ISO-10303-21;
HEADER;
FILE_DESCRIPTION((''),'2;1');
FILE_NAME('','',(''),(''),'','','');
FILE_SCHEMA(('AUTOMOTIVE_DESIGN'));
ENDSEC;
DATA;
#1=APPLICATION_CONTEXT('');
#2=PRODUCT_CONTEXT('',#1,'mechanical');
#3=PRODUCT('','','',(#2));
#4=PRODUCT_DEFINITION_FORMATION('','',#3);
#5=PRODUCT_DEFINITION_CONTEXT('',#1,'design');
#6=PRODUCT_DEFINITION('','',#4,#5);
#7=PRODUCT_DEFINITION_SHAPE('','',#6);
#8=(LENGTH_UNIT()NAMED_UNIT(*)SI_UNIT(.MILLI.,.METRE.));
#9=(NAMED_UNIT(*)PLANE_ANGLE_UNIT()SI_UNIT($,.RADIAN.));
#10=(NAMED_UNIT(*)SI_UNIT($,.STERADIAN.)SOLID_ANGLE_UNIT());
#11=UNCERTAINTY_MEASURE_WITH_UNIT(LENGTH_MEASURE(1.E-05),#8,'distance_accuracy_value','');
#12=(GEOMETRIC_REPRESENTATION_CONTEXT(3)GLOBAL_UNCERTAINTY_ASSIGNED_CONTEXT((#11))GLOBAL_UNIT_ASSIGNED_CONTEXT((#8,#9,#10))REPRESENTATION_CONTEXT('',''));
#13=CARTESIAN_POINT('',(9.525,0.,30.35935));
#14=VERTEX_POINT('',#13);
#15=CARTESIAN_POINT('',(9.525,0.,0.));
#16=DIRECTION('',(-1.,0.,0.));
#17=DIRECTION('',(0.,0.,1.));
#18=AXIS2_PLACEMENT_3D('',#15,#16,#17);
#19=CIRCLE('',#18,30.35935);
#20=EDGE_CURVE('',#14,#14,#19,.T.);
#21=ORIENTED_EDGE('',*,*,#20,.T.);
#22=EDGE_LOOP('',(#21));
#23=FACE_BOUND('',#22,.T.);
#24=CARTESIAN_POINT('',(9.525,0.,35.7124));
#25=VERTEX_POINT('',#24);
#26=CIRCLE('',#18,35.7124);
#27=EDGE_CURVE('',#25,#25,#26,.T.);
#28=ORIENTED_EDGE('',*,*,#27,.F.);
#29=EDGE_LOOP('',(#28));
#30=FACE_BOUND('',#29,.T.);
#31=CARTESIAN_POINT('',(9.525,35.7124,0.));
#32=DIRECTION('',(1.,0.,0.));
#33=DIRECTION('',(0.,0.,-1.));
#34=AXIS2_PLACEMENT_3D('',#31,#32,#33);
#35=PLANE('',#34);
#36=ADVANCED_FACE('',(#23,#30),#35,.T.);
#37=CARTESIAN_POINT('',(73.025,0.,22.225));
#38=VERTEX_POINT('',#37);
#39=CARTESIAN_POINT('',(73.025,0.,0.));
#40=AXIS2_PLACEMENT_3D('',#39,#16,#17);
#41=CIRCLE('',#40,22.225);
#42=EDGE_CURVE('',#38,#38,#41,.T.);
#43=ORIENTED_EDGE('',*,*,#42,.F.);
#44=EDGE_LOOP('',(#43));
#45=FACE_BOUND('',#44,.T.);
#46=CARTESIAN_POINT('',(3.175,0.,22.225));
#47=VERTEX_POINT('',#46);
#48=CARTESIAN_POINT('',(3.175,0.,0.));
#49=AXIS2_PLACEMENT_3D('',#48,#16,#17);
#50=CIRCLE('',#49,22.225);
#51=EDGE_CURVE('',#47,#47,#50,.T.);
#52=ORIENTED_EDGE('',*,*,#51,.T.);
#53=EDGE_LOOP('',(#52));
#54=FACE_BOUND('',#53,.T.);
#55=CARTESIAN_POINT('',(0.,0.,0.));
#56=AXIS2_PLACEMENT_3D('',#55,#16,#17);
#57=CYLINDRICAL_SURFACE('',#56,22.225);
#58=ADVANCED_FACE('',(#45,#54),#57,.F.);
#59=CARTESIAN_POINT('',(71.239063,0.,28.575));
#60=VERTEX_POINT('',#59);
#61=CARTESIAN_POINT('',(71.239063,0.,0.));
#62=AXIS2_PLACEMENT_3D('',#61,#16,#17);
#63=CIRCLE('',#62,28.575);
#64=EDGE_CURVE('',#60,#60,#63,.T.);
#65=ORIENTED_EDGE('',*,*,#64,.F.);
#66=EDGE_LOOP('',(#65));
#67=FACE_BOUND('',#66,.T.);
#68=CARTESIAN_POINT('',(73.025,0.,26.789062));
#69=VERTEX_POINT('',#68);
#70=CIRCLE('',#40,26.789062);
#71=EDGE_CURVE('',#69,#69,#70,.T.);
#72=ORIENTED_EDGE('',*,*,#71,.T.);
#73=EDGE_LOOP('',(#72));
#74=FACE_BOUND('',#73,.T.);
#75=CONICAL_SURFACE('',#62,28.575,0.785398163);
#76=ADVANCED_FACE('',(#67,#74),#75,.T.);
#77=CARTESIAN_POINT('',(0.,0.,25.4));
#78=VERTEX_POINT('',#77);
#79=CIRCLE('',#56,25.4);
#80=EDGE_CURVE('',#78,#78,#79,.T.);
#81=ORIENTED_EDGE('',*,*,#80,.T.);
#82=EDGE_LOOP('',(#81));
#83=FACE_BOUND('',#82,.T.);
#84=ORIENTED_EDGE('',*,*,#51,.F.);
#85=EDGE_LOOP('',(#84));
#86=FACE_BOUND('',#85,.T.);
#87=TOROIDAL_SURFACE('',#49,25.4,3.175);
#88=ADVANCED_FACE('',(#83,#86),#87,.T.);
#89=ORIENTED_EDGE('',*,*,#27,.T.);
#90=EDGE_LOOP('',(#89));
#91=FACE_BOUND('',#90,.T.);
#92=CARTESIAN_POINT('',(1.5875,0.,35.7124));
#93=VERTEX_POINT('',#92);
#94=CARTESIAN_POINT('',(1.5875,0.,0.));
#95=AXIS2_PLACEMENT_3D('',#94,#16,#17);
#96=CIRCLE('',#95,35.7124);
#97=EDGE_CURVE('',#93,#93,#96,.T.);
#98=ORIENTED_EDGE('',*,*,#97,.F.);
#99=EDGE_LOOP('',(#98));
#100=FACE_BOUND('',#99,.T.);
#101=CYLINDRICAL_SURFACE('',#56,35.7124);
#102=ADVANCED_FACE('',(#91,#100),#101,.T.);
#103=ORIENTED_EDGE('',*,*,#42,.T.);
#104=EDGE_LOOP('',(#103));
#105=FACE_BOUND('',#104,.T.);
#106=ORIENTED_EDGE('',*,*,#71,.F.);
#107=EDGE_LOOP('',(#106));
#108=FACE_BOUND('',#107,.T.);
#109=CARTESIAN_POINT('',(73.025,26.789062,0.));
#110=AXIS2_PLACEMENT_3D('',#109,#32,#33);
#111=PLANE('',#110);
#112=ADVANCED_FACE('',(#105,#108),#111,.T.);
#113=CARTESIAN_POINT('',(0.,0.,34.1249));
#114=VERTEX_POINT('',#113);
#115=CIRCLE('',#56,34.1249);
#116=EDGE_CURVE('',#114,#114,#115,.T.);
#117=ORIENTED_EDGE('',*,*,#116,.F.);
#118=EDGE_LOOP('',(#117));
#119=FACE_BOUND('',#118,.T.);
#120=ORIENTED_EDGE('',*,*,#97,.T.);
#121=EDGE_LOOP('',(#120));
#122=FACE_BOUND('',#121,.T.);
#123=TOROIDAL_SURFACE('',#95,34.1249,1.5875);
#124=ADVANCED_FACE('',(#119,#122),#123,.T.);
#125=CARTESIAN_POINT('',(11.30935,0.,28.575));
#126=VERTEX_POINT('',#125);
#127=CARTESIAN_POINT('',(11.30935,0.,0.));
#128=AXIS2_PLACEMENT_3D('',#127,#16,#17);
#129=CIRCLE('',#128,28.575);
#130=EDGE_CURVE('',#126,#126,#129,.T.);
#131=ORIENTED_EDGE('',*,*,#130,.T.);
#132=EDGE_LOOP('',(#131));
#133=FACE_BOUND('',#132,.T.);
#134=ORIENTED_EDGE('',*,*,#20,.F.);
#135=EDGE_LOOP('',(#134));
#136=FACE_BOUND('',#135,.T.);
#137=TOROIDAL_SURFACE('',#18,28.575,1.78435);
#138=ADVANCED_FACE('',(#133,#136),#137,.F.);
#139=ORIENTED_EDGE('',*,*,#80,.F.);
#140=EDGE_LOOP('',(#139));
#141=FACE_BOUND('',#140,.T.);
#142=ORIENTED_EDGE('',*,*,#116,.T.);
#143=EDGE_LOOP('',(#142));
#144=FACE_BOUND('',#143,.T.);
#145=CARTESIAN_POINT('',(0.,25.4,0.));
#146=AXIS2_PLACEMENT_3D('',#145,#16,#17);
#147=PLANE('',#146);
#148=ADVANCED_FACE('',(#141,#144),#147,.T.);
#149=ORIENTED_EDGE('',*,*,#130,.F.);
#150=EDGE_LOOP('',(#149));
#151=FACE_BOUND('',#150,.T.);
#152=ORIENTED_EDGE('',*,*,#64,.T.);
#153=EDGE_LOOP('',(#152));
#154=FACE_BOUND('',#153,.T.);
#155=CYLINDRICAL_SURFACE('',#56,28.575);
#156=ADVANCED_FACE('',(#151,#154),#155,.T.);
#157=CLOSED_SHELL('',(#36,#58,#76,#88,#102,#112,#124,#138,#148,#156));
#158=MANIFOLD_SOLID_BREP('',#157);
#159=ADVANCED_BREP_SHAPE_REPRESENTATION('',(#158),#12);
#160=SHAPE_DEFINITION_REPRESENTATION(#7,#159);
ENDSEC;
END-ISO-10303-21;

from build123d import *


with BuildPart() as part:
    # Sketch1 → BaseBody (revolve)
    with BuildSketch(Plane.XY, mode=Mode.PRIVATE) as basebody_sk:
        with BuildLine():
            Line((0, 25.4), (0, 34.1249))
            ThreePointArc((0, 34.1249), (0.464967985, 35.247432015), (1.5875, 35.7124))
            Line((1.5875, 35.7124), (9.525, 35.7124))
            Line((9.525, 35.7124), (9.525, 30.35935))
            ThreePointArc((9.525, 30.35935), (8.263274015, 27.313274015), (11.30935, 28.575))
            Line((11.30935, 28.575), (71.2390625, 28.575))
            Line((71.2390625, 28.575), (73.025, 26.7890625))
            Line((73.025, 26.7890625), (73.025, 22.225))
            Line((73.025, 22.225), (3.175, 22.225))
            ThreePointArc((3.175, 22.225), (0.92993597, 23.15493597), (0, 25.4))
        make_face()
    revolve(basebody_sk.sketch.rotate(Axis((0, 0, 0), (1, 0, 0)), 90), axis=Axis((0, 0, 0), (1, 0, 0)))


solid = part.part
